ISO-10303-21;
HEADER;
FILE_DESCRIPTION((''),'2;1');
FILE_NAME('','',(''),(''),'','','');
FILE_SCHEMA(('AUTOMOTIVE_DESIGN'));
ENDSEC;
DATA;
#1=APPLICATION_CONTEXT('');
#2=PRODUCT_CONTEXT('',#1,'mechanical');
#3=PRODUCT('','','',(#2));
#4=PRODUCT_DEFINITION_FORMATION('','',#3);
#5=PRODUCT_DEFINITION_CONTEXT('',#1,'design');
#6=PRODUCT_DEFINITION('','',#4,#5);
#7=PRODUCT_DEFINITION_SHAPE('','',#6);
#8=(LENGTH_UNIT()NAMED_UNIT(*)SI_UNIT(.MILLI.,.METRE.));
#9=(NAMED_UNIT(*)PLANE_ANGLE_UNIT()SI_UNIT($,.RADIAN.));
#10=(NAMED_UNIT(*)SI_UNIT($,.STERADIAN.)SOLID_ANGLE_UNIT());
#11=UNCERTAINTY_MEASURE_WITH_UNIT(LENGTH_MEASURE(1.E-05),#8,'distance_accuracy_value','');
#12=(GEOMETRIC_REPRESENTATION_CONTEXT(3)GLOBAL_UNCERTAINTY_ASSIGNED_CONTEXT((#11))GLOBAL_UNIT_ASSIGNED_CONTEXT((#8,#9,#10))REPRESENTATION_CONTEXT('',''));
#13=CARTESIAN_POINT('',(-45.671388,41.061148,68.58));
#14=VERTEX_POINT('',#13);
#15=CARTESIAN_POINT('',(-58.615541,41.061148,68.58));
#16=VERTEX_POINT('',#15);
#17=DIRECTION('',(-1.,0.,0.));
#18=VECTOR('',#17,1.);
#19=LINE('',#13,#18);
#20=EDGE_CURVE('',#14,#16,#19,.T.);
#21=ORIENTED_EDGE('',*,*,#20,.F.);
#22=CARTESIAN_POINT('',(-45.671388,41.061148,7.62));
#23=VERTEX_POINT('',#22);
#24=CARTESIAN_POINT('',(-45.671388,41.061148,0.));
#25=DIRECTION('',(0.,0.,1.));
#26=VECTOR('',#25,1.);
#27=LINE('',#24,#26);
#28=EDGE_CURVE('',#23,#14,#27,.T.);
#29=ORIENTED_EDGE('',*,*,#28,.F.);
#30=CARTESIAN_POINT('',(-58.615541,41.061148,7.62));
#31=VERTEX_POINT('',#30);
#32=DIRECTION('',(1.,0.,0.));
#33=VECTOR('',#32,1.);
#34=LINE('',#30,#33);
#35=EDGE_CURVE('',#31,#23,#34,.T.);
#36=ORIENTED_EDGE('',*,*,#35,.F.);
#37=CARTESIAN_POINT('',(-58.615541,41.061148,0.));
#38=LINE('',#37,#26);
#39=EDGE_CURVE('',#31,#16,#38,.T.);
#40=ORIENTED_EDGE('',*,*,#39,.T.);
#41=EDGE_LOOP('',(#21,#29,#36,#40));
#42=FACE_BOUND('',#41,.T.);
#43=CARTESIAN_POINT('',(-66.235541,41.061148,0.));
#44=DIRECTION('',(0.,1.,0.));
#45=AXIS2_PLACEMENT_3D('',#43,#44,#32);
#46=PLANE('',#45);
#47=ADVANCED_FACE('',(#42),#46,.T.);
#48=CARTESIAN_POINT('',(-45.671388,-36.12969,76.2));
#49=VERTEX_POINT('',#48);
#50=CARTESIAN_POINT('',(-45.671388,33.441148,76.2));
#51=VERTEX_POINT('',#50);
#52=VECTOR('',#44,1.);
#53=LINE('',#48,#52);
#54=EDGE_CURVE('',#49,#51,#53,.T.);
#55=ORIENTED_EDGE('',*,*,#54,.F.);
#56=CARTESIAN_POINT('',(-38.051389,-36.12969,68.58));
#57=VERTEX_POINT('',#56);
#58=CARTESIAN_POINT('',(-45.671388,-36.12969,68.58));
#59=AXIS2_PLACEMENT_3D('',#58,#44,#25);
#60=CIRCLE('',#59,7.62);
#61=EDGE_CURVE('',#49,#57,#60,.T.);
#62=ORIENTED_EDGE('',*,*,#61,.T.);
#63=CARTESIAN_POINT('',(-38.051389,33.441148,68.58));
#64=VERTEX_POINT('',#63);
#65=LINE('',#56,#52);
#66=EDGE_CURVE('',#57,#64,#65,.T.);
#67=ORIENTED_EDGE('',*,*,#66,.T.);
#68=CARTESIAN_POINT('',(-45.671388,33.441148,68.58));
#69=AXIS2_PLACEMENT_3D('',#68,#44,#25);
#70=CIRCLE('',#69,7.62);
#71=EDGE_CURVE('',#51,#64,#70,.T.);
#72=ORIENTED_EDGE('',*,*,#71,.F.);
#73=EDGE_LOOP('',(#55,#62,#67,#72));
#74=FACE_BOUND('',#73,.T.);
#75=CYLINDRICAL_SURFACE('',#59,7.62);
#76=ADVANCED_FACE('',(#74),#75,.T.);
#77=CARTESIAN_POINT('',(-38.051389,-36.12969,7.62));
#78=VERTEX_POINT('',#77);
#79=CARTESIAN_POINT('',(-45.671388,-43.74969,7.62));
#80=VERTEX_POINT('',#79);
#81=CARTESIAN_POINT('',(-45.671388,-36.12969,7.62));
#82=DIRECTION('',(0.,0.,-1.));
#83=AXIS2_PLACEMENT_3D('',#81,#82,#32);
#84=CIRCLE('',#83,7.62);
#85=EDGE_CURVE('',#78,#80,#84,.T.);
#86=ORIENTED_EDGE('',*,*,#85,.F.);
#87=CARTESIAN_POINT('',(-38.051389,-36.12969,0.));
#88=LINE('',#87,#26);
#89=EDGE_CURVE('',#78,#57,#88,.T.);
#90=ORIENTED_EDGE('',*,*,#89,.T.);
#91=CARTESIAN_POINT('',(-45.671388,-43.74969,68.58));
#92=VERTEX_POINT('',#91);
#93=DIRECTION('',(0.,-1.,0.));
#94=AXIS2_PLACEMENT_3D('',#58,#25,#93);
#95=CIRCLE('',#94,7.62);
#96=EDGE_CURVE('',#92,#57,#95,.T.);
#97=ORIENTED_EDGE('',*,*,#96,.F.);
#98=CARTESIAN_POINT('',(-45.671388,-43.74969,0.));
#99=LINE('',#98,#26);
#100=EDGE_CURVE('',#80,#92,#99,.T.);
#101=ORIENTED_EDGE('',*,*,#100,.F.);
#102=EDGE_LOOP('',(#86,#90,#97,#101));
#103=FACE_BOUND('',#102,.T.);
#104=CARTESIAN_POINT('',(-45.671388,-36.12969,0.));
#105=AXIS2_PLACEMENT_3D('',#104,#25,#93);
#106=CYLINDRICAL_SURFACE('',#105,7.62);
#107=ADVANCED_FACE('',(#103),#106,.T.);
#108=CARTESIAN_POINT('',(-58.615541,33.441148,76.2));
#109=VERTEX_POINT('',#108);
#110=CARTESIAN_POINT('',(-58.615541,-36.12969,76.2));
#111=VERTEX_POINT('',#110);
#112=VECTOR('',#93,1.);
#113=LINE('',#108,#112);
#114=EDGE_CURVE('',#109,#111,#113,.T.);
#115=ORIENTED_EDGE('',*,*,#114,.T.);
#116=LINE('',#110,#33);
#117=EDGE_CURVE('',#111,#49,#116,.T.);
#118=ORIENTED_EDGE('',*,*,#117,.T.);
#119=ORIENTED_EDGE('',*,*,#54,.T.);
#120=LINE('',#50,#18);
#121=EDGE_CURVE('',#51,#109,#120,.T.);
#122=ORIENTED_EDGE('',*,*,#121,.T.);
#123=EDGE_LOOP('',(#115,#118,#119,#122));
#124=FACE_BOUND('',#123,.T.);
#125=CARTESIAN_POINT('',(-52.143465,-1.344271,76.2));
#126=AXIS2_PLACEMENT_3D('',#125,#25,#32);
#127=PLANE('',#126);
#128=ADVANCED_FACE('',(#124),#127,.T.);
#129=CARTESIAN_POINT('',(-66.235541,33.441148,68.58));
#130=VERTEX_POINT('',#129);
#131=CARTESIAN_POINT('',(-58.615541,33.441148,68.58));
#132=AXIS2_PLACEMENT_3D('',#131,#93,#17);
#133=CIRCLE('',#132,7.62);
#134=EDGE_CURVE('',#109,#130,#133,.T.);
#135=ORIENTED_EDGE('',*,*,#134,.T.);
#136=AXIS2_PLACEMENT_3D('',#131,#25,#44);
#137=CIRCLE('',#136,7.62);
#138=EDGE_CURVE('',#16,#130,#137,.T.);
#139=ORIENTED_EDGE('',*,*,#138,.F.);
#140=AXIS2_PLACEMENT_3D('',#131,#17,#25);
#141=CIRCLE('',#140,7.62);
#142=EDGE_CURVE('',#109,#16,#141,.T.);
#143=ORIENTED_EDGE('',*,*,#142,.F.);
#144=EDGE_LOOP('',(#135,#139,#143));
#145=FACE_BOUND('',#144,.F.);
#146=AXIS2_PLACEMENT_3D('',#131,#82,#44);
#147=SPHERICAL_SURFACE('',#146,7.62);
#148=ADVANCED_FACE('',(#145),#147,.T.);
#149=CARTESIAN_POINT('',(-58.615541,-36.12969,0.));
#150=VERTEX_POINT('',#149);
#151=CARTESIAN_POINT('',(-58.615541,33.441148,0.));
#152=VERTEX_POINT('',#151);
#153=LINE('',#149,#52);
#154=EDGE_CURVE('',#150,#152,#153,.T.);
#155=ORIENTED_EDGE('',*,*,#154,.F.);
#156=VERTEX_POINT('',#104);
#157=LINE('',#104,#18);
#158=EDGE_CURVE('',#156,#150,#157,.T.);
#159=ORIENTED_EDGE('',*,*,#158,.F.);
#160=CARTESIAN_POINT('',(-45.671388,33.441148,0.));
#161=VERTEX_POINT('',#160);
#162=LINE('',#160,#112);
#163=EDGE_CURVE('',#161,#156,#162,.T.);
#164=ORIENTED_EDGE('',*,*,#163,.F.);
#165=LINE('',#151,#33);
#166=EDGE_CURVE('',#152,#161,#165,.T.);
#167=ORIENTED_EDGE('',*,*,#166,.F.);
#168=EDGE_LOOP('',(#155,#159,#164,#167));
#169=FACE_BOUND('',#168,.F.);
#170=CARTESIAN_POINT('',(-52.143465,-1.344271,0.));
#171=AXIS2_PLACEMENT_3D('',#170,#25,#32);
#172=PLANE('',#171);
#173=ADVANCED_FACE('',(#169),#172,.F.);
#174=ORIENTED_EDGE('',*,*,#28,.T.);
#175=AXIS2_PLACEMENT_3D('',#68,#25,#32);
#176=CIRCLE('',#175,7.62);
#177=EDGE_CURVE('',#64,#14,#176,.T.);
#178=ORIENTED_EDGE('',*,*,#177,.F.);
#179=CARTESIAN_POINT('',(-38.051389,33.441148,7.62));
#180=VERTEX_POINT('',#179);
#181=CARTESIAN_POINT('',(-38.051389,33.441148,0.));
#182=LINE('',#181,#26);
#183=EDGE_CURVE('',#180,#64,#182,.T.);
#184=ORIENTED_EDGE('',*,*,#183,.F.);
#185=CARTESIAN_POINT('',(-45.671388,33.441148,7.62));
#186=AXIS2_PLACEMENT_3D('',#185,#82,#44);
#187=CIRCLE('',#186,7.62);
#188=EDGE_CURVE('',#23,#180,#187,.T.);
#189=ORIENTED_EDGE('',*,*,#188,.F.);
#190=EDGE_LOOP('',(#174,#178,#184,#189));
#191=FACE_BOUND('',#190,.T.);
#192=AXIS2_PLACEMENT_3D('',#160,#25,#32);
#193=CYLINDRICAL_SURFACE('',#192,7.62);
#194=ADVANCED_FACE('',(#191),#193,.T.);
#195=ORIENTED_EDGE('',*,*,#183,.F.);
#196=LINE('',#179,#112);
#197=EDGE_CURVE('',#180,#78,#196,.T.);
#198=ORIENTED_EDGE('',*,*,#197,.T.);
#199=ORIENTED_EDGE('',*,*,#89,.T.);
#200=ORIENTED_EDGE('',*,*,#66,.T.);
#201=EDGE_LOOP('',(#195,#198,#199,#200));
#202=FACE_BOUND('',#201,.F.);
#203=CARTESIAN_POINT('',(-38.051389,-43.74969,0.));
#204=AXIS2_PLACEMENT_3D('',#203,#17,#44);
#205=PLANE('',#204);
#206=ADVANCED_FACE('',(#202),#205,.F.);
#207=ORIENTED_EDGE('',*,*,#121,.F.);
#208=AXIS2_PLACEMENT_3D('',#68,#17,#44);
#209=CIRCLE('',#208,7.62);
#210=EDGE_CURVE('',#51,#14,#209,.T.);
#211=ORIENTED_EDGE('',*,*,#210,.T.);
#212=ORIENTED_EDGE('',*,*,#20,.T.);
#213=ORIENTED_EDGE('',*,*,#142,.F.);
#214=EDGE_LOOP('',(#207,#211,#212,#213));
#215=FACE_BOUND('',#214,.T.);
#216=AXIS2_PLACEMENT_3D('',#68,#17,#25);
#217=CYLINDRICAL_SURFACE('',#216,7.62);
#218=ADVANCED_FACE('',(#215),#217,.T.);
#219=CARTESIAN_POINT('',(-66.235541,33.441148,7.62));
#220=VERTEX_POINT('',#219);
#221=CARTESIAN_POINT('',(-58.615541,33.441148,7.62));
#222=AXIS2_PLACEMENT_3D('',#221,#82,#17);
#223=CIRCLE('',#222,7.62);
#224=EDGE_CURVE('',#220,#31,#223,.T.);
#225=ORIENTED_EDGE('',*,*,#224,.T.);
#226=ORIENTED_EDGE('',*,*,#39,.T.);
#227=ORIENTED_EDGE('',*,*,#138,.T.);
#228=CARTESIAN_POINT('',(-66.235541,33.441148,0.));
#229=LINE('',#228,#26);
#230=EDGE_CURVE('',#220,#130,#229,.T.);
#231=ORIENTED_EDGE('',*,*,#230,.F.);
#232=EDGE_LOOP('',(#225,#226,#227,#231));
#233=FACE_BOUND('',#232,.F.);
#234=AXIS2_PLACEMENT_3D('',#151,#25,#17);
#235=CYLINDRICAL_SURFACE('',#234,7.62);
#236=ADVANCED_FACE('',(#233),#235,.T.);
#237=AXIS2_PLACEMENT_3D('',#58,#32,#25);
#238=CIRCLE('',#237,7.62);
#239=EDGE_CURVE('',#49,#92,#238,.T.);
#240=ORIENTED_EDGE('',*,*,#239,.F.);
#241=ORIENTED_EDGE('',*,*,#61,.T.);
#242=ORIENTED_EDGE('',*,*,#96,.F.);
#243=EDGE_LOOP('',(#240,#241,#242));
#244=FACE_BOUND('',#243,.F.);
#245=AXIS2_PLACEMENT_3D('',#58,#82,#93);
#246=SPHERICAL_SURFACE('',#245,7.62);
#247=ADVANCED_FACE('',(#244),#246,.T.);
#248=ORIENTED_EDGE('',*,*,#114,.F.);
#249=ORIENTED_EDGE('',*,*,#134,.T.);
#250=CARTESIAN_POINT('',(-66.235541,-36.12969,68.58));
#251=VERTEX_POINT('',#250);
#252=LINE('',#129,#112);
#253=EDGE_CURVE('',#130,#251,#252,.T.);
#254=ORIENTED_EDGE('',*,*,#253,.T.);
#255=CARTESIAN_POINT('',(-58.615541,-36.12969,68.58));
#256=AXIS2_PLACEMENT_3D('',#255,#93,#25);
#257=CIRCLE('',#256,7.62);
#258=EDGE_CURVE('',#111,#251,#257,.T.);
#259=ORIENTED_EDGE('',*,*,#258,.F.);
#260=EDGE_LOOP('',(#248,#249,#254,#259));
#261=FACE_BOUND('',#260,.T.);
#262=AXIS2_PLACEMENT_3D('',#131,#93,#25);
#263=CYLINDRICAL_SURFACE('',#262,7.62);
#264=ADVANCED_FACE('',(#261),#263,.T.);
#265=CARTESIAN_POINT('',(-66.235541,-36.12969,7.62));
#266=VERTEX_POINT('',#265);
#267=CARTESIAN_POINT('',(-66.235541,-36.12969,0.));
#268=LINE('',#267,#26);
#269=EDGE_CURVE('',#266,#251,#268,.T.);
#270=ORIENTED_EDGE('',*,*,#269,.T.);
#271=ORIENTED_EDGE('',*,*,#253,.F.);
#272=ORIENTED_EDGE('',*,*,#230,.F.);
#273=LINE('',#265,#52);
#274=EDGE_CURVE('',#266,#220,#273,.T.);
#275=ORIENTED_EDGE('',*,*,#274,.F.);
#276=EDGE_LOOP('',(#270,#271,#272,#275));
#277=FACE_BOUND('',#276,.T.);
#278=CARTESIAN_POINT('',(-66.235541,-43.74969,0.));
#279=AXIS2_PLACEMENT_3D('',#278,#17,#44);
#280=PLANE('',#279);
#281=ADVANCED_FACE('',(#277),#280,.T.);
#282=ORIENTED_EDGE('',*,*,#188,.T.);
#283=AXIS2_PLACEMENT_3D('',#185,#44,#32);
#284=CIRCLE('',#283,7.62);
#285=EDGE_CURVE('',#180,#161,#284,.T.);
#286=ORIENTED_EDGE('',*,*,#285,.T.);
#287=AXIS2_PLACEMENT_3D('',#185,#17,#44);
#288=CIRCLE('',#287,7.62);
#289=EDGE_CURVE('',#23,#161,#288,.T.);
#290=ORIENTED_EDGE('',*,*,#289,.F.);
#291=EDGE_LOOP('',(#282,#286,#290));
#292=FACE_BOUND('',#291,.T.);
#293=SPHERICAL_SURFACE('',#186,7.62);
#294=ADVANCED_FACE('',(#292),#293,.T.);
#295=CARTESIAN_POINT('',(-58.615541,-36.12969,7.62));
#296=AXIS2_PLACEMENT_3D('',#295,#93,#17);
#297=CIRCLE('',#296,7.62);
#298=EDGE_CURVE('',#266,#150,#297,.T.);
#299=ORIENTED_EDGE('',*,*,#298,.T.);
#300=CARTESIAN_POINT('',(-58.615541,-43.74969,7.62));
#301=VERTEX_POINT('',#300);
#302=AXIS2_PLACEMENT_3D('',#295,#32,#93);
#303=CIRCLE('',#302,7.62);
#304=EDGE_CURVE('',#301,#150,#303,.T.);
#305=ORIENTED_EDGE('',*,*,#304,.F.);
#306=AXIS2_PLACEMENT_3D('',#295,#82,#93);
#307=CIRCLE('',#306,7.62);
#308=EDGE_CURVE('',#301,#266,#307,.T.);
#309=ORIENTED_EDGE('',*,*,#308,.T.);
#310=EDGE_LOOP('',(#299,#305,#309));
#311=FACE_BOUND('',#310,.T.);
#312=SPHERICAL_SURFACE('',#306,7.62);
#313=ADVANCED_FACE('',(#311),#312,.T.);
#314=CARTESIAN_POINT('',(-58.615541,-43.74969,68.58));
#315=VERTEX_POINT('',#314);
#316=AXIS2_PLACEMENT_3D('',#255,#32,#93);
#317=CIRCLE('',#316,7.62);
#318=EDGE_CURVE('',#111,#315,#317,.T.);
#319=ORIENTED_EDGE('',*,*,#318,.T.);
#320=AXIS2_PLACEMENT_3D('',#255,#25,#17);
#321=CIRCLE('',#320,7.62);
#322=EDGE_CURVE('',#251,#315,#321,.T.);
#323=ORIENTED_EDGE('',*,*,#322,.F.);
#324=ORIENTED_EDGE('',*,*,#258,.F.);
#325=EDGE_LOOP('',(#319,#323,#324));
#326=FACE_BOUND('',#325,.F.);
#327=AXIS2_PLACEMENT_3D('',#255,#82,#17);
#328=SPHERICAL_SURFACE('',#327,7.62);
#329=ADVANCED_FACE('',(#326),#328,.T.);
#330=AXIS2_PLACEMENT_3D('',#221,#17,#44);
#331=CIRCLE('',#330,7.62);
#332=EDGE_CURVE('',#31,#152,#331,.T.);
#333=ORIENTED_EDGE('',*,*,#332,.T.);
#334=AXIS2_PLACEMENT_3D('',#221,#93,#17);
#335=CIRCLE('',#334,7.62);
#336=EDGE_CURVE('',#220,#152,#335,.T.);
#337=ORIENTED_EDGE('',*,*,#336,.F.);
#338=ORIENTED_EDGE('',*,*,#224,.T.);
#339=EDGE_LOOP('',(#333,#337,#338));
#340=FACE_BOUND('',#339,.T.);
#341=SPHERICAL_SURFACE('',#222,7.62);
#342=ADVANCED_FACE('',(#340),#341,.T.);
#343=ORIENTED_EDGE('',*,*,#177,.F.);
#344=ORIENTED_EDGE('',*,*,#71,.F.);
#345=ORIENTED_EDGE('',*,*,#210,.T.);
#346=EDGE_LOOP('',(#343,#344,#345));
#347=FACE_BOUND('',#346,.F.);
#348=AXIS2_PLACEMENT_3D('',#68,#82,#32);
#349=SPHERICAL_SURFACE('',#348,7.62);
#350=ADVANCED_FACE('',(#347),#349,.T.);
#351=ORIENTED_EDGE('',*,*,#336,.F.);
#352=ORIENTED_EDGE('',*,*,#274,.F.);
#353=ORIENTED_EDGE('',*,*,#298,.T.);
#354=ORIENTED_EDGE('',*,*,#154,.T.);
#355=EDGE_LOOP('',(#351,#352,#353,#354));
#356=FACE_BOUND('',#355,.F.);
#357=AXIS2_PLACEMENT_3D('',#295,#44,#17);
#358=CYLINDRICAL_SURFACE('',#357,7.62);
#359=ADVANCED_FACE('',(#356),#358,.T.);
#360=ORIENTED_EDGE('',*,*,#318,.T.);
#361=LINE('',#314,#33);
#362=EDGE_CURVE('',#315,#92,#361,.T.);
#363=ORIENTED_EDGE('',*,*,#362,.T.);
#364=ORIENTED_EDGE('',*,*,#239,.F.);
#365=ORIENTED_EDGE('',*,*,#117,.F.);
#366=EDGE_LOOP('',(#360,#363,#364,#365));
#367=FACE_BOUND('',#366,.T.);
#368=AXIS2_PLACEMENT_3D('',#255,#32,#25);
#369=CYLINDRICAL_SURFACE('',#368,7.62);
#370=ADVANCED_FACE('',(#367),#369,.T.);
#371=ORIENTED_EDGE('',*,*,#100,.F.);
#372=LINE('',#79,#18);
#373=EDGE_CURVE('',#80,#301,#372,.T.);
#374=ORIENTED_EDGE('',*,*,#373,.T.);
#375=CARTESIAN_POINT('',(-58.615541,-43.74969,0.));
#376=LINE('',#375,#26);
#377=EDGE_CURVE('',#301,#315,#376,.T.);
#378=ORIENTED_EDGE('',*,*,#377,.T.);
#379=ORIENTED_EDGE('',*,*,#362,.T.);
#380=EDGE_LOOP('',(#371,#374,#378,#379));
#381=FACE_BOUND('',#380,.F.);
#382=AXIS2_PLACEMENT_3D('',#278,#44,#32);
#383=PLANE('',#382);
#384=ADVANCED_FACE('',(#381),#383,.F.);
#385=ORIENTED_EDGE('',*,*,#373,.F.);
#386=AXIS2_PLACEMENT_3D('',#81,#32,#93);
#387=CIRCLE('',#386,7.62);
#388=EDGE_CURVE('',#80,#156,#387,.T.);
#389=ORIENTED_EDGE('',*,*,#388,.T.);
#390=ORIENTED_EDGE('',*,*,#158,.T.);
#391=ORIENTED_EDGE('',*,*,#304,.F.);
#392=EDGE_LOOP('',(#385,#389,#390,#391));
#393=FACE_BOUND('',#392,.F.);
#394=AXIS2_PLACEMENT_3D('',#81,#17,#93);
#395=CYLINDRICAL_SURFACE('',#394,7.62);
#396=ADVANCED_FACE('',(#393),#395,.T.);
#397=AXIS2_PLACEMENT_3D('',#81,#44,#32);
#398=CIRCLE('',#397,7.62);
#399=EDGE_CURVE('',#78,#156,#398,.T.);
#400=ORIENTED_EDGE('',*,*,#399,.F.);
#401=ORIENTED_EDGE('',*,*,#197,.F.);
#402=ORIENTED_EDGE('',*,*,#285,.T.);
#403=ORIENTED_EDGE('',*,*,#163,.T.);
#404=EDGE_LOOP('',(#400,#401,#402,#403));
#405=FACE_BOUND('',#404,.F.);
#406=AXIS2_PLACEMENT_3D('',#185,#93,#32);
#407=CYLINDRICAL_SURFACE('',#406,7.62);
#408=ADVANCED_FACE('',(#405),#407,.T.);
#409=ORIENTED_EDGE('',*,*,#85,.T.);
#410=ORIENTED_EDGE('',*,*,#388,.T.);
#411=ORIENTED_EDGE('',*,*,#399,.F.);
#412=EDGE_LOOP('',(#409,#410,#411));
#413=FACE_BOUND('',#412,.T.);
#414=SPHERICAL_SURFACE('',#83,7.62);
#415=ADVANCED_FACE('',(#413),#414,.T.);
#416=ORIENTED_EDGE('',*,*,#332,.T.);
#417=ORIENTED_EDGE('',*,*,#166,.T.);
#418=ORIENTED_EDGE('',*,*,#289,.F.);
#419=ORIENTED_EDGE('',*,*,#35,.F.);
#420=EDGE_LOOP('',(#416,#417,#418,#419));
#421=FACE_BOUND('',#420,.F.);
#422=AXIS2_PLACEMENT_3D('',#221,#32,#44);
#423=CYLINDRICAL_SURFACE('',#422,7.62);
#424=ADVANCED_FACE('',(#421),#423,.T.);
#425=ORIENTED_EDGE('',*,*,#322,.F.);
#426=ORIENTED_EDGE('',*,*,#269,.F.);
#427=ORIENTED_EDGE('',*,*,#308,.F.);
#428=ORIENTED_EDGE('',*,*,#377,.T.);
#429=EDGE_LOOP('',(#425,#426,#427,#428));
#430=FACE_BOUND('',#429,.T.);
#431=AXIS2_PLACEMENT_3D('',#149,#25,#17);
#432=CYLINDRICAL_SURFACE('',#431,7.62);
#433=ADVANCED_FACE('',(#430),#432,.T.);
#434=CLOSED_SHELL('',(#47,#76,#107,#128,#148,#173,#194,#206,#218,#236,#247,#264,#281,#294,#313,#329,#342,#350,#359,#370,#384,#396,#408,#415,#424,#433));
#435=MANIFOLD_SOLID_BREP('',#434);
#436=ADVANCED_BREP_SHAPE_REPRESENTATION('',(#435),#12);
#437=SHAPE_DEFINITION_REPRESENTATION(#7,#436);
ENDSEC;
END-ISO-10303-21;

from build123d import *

# Parameters (mm, degrees)
F0_W     = 28.184153
F0_H     = 84.810838
F1_DEPTH = 76.2
F2_R     = 7.62
F3_R     = 7.62


with BuildPart() as f1:
    # F0 (on Top) → F1 (new body)
    with BuildSketch(Plane.XY):
        with Locations((-52.143465, -1.344271)):
            Rectangle(F0_W, F0_H)
    extrude(amount=F1_DEPTH)

    # F2
    f2_edges = [f1.edges().sort_by_distance(p)[0] for p in [
        (-66.235542, 41.061148, 38.1),
        (-66.235542, -43.74969, 38.1),
        (-38.051389, -43.74969, 38.1),
        (-38.051389, 41.061148, 38.1),
    ]]
    fillet(f2_edges, radius=F2_R)

    # F3
    f3_edges = [f1.edges().sort_by_distance(p)[0] for p in [
        (-38.051389, -1.344271, 76.2),
        (-66.235542, -1.344271, 76.2),
        (-66.235542, -1.344271, 0),
        (-38.051389, -1.344271, 0),
    ]]
    fillet(f3_edges, radius=F3_R)


solid = f1.part
